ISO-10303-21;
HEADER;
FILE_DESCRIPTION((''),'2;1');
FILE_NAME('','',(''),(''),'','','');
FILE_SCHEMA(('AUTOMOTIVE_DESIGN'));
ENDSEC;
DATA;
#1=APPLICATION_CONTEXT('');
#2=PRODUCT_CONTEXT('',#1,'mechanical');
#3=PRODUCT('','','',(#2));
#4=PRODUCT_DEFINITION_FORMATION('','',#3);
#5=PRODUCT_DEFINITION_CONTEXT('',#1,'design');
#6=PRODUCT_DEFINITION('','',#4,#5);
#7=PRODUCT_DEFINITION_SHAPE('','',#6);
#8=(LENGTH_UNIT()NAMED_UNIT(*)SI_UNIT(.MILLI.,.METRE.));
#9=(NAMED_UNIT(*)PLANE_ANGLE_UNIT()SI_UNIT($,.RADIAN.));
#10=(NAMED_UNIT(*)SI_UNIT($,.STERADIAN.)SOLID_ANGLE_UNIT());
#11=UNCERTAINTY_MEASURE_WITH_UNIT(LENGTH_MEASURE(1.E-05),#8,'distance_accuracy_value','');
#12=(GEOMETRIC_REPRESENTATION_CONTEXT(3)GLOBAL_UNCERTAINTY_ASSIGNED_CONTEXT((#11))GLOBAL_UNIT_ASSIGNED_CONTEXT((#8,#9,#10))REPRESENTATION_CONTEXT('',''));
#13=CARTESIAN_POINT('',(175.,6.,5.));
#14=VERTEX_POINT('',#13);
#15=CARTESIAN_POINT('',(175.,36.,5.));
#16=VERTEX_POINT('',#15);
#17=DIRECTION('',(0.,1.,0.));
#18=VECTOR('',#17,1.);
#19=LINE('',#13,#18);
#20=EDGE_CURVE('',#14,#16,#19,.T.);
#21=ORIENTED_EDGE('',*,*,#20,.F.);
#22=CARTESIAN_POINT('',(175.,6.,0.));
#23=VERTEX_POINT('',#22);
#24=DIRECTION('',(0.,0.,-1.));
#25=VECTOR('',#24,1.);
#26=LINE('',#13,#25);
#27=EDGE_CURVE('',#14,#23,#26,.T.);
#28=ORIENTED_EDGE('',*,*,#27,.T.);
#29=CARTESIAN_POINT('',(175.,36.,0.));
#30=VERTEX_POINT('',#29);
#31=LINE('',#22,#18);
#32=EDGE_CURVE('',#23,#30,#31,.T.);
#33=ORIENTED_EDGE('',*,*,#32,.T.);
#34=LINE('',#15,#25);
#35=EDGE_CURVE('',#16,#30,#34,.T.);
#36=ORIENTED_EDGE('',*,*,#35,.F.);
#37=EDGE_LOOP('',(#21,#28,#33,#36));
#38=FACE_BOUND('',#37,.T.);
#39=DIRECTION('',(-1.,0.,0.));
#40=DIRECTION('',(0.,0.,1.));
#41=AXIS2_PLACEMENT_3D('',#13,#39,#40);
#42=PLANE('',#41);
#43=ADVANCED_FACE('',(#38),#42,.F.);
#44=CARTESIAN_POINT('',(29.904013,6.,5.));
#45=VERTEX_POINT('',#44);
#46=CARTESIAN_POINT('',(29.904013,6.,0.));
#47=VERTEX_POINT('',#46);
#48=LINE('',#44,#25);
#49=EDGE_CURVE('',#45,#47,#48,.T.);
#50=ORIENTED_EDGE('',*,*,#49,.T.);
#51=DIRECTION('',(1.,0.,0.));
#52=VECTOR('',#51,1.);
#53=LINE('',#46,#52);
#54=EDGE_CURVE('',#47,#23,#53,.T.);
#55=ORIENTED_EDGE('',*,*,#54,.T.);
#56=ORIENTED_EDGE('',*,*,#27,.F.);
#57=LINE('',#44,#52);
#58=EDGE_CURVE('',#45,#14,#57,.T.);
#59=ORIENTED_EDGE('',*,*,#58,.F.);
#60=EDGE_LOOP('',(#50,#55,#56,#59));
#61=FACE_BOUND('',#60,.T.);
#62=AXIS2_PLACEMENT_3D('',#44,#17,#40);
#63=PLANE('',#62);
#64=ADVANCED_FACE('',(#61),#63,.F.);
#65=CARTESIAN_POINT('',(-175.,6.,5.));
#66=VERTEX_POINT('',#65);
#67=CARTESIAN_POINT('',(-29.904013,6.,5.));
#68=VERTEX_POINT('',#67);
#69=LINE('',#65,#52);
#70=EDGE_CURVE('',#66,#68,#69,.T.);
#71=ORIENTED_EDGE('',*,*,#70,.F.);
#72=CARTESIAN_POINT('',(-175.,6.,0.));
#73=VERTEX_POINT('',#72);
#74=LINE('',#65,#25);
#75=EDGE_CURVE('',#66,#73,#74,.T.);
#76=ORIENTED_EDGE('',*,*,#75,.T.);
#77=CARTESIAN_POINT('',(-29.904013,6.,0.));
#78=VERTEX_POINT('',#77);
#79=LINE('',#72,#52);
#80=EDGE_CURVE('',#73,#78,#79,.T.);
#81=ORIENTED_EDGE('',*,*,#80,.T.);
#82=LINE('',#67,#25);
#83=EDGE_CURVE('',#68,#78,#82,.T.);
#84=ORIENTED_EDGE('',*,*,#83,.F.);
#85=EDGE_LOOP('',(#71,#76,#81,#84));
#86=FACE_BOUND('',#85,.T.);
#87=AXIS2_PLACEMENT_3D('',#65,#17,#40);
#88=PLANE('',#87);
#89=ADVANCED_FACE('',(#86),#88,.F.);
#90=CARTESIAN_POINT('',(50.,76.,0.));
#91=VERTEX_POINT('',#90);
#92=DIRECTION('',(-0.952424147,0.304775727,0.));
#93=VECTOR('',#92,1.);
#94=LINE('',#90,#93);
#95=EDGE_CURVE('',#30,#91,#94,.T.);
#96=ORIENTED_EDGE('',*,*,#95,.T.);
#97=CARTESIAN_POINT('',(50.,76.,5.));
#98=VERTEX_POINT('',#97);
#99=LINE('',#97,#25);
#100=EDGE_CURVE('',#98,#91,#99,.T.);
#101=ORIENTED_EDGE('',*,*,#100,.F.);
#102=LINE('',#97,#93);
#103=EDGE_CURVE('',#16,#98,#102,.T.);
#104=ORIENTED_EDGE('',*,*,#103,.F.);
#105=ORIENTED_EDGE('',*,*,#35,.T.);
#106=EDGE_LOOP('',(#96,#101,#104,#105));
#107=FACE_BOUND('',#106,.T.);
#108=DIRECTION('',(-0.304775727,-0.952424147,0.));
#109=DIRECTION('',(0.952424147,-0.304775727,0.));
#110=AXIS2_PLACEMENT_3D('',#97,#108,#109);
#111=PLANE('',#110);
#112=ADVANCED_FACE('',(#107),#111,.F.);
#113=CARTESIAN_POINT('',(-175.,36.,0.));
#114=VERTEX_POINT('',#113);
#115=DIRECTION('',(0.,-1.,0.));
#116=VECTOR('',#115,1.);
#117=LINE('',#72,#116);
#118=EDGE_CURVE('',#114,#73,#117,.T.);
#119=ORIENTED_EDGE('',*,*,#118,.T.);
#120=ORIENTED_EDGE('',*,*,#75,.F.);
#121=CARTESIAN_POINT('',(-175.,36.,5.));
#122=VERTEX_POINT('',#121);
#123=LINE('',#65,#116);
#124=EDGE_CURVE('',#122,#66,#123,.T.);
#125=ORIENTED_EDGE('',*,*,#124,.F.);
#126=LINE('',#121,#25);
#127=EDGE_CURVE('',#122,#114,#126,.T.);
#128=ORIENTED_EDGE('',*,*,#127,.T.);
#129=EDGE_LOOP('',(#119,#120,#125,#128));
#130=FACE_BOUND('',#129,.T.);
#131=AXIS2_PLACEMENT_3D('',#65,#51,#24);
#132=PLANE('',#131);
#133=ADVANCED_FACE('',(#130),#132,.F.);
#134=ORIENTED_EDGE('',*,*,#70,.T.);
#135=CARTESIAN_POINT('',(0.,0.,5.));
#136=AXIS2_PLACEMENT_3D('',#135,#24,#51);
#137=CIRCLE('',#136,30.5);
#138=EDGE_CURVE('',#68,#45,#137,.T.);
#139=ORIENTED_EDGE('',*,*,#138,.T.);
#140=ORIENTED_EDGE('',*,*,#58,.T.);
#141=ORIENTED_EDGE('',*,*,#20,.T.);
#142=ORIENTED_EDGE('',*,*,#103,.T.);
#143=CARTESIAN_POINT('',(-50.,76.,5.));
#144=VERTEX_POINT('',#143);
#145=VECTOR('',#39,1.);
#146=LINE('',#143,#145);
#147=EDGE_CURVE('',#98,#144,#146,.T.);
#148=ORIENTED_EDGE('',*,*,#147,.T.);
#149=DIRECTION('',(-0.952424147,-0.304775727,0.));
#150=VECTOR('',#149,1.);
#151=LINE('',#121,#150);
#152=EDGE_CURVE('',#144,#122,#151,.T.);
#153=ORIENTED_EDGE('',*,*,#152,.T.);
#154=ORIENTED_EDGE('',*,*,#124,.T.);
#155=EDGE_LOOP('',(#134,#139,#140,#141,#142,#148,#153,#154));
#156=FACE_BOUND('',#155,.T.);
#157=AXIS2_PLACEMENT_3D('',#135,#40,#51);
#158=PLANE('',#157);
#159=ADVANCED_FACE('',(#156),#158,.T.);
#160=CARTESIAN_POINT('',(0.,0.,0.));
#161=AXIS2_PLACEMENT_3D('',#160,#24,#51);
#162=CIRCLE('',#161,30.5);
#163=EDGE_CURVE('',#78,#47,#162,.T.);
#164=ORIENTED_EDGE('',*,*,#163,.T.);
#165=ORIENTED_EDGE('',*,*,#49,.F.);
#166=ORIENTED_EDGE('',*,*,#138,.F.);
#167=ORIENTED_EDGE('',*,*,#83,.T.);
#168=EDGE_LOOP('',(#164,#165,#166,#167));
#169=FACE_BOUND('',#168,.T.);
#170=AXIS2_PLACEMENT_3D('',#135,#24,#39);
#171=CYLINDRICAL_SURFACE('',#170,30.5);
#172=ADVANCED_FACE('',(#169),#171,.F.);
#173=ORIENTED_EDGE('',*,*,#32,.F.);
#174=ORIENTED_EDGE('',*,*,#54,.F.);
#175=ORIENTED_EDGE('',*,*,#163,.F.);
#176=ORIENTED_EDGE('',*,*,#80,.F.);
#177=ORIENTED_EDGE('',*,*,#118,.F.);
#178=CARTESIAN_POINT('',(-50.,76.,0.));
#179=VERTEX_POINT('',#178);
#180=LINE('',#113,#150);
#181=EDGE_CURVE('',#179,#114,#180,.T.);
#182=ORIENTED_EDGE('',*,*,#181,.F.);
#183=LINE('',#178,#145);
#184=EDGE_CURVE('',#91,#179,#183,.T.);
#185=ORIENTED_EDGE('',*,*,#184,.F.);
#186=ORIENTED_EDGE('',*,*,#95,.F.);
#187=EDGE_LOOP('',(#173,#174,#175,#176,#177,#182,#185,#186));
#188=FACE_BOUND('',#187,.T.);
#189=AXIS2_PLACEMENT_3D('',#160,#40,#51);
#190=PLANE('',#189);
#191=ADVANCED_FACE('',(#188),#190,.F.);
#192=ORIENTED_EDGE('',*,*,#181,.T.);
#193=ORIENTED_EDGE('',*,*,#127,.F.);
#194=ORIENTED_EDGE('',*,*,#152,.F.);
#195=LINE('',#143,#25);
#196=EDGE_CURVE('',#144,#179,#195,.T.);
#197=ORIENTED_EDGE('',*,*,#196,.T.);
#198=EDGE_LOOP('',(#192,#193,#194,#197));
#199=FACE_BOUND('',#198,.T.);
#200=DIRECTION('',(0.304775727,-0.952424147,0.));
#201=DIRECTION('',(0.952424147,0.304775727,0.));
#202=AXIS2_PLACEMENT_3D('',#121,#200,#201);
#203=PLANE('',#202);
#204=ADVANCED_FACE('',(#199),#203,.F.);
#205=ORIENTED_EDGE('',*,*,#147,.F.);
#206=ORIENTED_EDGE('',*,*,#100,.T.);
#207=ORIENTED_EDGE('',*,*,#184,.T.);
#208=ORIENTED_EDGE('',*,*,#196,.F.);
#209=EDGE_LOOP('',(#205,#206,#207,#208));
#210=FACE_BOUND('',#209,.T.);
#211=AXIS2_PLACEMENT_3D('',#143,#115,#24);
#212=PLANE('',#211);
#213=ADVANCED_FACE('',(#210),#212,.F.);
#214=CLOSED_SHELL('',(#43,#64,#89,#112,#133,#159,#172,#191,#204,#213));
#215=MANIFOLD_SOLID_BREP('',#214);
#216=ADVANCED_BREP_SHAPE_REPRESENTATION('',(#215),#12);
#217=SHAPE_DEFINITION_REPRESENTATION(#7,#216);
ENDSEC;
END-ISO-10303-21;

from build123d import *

# Parameters (mm, degrees)
BOSS_EXTRUDE1_DEPTH = 5


with BuildPart() as part:
    # Sketch1 → Boss-Extrude1 (new body)
    with BuildSketch(Plane.XY):
        with BuildLine():
            Line((-175, 36), (-50, 76))
            Line((-50, 76), (50, 76))
            Line((50, 76), (175, 36))
            Line((175, 36), (175, 6))
            Line((175, 6), (29.904013109, 6))
            ThreePointArc((29.904013109, 6), (0, 30.5), (-29.904013109, 6))
            Line((-29.904013109, 6), (-175, 6))
            Line((-175, 6), (-175, 36))
        make_face()
    extrude(amount=BOSS_EXTRUDE1_DEPTH)


solid = part.part
